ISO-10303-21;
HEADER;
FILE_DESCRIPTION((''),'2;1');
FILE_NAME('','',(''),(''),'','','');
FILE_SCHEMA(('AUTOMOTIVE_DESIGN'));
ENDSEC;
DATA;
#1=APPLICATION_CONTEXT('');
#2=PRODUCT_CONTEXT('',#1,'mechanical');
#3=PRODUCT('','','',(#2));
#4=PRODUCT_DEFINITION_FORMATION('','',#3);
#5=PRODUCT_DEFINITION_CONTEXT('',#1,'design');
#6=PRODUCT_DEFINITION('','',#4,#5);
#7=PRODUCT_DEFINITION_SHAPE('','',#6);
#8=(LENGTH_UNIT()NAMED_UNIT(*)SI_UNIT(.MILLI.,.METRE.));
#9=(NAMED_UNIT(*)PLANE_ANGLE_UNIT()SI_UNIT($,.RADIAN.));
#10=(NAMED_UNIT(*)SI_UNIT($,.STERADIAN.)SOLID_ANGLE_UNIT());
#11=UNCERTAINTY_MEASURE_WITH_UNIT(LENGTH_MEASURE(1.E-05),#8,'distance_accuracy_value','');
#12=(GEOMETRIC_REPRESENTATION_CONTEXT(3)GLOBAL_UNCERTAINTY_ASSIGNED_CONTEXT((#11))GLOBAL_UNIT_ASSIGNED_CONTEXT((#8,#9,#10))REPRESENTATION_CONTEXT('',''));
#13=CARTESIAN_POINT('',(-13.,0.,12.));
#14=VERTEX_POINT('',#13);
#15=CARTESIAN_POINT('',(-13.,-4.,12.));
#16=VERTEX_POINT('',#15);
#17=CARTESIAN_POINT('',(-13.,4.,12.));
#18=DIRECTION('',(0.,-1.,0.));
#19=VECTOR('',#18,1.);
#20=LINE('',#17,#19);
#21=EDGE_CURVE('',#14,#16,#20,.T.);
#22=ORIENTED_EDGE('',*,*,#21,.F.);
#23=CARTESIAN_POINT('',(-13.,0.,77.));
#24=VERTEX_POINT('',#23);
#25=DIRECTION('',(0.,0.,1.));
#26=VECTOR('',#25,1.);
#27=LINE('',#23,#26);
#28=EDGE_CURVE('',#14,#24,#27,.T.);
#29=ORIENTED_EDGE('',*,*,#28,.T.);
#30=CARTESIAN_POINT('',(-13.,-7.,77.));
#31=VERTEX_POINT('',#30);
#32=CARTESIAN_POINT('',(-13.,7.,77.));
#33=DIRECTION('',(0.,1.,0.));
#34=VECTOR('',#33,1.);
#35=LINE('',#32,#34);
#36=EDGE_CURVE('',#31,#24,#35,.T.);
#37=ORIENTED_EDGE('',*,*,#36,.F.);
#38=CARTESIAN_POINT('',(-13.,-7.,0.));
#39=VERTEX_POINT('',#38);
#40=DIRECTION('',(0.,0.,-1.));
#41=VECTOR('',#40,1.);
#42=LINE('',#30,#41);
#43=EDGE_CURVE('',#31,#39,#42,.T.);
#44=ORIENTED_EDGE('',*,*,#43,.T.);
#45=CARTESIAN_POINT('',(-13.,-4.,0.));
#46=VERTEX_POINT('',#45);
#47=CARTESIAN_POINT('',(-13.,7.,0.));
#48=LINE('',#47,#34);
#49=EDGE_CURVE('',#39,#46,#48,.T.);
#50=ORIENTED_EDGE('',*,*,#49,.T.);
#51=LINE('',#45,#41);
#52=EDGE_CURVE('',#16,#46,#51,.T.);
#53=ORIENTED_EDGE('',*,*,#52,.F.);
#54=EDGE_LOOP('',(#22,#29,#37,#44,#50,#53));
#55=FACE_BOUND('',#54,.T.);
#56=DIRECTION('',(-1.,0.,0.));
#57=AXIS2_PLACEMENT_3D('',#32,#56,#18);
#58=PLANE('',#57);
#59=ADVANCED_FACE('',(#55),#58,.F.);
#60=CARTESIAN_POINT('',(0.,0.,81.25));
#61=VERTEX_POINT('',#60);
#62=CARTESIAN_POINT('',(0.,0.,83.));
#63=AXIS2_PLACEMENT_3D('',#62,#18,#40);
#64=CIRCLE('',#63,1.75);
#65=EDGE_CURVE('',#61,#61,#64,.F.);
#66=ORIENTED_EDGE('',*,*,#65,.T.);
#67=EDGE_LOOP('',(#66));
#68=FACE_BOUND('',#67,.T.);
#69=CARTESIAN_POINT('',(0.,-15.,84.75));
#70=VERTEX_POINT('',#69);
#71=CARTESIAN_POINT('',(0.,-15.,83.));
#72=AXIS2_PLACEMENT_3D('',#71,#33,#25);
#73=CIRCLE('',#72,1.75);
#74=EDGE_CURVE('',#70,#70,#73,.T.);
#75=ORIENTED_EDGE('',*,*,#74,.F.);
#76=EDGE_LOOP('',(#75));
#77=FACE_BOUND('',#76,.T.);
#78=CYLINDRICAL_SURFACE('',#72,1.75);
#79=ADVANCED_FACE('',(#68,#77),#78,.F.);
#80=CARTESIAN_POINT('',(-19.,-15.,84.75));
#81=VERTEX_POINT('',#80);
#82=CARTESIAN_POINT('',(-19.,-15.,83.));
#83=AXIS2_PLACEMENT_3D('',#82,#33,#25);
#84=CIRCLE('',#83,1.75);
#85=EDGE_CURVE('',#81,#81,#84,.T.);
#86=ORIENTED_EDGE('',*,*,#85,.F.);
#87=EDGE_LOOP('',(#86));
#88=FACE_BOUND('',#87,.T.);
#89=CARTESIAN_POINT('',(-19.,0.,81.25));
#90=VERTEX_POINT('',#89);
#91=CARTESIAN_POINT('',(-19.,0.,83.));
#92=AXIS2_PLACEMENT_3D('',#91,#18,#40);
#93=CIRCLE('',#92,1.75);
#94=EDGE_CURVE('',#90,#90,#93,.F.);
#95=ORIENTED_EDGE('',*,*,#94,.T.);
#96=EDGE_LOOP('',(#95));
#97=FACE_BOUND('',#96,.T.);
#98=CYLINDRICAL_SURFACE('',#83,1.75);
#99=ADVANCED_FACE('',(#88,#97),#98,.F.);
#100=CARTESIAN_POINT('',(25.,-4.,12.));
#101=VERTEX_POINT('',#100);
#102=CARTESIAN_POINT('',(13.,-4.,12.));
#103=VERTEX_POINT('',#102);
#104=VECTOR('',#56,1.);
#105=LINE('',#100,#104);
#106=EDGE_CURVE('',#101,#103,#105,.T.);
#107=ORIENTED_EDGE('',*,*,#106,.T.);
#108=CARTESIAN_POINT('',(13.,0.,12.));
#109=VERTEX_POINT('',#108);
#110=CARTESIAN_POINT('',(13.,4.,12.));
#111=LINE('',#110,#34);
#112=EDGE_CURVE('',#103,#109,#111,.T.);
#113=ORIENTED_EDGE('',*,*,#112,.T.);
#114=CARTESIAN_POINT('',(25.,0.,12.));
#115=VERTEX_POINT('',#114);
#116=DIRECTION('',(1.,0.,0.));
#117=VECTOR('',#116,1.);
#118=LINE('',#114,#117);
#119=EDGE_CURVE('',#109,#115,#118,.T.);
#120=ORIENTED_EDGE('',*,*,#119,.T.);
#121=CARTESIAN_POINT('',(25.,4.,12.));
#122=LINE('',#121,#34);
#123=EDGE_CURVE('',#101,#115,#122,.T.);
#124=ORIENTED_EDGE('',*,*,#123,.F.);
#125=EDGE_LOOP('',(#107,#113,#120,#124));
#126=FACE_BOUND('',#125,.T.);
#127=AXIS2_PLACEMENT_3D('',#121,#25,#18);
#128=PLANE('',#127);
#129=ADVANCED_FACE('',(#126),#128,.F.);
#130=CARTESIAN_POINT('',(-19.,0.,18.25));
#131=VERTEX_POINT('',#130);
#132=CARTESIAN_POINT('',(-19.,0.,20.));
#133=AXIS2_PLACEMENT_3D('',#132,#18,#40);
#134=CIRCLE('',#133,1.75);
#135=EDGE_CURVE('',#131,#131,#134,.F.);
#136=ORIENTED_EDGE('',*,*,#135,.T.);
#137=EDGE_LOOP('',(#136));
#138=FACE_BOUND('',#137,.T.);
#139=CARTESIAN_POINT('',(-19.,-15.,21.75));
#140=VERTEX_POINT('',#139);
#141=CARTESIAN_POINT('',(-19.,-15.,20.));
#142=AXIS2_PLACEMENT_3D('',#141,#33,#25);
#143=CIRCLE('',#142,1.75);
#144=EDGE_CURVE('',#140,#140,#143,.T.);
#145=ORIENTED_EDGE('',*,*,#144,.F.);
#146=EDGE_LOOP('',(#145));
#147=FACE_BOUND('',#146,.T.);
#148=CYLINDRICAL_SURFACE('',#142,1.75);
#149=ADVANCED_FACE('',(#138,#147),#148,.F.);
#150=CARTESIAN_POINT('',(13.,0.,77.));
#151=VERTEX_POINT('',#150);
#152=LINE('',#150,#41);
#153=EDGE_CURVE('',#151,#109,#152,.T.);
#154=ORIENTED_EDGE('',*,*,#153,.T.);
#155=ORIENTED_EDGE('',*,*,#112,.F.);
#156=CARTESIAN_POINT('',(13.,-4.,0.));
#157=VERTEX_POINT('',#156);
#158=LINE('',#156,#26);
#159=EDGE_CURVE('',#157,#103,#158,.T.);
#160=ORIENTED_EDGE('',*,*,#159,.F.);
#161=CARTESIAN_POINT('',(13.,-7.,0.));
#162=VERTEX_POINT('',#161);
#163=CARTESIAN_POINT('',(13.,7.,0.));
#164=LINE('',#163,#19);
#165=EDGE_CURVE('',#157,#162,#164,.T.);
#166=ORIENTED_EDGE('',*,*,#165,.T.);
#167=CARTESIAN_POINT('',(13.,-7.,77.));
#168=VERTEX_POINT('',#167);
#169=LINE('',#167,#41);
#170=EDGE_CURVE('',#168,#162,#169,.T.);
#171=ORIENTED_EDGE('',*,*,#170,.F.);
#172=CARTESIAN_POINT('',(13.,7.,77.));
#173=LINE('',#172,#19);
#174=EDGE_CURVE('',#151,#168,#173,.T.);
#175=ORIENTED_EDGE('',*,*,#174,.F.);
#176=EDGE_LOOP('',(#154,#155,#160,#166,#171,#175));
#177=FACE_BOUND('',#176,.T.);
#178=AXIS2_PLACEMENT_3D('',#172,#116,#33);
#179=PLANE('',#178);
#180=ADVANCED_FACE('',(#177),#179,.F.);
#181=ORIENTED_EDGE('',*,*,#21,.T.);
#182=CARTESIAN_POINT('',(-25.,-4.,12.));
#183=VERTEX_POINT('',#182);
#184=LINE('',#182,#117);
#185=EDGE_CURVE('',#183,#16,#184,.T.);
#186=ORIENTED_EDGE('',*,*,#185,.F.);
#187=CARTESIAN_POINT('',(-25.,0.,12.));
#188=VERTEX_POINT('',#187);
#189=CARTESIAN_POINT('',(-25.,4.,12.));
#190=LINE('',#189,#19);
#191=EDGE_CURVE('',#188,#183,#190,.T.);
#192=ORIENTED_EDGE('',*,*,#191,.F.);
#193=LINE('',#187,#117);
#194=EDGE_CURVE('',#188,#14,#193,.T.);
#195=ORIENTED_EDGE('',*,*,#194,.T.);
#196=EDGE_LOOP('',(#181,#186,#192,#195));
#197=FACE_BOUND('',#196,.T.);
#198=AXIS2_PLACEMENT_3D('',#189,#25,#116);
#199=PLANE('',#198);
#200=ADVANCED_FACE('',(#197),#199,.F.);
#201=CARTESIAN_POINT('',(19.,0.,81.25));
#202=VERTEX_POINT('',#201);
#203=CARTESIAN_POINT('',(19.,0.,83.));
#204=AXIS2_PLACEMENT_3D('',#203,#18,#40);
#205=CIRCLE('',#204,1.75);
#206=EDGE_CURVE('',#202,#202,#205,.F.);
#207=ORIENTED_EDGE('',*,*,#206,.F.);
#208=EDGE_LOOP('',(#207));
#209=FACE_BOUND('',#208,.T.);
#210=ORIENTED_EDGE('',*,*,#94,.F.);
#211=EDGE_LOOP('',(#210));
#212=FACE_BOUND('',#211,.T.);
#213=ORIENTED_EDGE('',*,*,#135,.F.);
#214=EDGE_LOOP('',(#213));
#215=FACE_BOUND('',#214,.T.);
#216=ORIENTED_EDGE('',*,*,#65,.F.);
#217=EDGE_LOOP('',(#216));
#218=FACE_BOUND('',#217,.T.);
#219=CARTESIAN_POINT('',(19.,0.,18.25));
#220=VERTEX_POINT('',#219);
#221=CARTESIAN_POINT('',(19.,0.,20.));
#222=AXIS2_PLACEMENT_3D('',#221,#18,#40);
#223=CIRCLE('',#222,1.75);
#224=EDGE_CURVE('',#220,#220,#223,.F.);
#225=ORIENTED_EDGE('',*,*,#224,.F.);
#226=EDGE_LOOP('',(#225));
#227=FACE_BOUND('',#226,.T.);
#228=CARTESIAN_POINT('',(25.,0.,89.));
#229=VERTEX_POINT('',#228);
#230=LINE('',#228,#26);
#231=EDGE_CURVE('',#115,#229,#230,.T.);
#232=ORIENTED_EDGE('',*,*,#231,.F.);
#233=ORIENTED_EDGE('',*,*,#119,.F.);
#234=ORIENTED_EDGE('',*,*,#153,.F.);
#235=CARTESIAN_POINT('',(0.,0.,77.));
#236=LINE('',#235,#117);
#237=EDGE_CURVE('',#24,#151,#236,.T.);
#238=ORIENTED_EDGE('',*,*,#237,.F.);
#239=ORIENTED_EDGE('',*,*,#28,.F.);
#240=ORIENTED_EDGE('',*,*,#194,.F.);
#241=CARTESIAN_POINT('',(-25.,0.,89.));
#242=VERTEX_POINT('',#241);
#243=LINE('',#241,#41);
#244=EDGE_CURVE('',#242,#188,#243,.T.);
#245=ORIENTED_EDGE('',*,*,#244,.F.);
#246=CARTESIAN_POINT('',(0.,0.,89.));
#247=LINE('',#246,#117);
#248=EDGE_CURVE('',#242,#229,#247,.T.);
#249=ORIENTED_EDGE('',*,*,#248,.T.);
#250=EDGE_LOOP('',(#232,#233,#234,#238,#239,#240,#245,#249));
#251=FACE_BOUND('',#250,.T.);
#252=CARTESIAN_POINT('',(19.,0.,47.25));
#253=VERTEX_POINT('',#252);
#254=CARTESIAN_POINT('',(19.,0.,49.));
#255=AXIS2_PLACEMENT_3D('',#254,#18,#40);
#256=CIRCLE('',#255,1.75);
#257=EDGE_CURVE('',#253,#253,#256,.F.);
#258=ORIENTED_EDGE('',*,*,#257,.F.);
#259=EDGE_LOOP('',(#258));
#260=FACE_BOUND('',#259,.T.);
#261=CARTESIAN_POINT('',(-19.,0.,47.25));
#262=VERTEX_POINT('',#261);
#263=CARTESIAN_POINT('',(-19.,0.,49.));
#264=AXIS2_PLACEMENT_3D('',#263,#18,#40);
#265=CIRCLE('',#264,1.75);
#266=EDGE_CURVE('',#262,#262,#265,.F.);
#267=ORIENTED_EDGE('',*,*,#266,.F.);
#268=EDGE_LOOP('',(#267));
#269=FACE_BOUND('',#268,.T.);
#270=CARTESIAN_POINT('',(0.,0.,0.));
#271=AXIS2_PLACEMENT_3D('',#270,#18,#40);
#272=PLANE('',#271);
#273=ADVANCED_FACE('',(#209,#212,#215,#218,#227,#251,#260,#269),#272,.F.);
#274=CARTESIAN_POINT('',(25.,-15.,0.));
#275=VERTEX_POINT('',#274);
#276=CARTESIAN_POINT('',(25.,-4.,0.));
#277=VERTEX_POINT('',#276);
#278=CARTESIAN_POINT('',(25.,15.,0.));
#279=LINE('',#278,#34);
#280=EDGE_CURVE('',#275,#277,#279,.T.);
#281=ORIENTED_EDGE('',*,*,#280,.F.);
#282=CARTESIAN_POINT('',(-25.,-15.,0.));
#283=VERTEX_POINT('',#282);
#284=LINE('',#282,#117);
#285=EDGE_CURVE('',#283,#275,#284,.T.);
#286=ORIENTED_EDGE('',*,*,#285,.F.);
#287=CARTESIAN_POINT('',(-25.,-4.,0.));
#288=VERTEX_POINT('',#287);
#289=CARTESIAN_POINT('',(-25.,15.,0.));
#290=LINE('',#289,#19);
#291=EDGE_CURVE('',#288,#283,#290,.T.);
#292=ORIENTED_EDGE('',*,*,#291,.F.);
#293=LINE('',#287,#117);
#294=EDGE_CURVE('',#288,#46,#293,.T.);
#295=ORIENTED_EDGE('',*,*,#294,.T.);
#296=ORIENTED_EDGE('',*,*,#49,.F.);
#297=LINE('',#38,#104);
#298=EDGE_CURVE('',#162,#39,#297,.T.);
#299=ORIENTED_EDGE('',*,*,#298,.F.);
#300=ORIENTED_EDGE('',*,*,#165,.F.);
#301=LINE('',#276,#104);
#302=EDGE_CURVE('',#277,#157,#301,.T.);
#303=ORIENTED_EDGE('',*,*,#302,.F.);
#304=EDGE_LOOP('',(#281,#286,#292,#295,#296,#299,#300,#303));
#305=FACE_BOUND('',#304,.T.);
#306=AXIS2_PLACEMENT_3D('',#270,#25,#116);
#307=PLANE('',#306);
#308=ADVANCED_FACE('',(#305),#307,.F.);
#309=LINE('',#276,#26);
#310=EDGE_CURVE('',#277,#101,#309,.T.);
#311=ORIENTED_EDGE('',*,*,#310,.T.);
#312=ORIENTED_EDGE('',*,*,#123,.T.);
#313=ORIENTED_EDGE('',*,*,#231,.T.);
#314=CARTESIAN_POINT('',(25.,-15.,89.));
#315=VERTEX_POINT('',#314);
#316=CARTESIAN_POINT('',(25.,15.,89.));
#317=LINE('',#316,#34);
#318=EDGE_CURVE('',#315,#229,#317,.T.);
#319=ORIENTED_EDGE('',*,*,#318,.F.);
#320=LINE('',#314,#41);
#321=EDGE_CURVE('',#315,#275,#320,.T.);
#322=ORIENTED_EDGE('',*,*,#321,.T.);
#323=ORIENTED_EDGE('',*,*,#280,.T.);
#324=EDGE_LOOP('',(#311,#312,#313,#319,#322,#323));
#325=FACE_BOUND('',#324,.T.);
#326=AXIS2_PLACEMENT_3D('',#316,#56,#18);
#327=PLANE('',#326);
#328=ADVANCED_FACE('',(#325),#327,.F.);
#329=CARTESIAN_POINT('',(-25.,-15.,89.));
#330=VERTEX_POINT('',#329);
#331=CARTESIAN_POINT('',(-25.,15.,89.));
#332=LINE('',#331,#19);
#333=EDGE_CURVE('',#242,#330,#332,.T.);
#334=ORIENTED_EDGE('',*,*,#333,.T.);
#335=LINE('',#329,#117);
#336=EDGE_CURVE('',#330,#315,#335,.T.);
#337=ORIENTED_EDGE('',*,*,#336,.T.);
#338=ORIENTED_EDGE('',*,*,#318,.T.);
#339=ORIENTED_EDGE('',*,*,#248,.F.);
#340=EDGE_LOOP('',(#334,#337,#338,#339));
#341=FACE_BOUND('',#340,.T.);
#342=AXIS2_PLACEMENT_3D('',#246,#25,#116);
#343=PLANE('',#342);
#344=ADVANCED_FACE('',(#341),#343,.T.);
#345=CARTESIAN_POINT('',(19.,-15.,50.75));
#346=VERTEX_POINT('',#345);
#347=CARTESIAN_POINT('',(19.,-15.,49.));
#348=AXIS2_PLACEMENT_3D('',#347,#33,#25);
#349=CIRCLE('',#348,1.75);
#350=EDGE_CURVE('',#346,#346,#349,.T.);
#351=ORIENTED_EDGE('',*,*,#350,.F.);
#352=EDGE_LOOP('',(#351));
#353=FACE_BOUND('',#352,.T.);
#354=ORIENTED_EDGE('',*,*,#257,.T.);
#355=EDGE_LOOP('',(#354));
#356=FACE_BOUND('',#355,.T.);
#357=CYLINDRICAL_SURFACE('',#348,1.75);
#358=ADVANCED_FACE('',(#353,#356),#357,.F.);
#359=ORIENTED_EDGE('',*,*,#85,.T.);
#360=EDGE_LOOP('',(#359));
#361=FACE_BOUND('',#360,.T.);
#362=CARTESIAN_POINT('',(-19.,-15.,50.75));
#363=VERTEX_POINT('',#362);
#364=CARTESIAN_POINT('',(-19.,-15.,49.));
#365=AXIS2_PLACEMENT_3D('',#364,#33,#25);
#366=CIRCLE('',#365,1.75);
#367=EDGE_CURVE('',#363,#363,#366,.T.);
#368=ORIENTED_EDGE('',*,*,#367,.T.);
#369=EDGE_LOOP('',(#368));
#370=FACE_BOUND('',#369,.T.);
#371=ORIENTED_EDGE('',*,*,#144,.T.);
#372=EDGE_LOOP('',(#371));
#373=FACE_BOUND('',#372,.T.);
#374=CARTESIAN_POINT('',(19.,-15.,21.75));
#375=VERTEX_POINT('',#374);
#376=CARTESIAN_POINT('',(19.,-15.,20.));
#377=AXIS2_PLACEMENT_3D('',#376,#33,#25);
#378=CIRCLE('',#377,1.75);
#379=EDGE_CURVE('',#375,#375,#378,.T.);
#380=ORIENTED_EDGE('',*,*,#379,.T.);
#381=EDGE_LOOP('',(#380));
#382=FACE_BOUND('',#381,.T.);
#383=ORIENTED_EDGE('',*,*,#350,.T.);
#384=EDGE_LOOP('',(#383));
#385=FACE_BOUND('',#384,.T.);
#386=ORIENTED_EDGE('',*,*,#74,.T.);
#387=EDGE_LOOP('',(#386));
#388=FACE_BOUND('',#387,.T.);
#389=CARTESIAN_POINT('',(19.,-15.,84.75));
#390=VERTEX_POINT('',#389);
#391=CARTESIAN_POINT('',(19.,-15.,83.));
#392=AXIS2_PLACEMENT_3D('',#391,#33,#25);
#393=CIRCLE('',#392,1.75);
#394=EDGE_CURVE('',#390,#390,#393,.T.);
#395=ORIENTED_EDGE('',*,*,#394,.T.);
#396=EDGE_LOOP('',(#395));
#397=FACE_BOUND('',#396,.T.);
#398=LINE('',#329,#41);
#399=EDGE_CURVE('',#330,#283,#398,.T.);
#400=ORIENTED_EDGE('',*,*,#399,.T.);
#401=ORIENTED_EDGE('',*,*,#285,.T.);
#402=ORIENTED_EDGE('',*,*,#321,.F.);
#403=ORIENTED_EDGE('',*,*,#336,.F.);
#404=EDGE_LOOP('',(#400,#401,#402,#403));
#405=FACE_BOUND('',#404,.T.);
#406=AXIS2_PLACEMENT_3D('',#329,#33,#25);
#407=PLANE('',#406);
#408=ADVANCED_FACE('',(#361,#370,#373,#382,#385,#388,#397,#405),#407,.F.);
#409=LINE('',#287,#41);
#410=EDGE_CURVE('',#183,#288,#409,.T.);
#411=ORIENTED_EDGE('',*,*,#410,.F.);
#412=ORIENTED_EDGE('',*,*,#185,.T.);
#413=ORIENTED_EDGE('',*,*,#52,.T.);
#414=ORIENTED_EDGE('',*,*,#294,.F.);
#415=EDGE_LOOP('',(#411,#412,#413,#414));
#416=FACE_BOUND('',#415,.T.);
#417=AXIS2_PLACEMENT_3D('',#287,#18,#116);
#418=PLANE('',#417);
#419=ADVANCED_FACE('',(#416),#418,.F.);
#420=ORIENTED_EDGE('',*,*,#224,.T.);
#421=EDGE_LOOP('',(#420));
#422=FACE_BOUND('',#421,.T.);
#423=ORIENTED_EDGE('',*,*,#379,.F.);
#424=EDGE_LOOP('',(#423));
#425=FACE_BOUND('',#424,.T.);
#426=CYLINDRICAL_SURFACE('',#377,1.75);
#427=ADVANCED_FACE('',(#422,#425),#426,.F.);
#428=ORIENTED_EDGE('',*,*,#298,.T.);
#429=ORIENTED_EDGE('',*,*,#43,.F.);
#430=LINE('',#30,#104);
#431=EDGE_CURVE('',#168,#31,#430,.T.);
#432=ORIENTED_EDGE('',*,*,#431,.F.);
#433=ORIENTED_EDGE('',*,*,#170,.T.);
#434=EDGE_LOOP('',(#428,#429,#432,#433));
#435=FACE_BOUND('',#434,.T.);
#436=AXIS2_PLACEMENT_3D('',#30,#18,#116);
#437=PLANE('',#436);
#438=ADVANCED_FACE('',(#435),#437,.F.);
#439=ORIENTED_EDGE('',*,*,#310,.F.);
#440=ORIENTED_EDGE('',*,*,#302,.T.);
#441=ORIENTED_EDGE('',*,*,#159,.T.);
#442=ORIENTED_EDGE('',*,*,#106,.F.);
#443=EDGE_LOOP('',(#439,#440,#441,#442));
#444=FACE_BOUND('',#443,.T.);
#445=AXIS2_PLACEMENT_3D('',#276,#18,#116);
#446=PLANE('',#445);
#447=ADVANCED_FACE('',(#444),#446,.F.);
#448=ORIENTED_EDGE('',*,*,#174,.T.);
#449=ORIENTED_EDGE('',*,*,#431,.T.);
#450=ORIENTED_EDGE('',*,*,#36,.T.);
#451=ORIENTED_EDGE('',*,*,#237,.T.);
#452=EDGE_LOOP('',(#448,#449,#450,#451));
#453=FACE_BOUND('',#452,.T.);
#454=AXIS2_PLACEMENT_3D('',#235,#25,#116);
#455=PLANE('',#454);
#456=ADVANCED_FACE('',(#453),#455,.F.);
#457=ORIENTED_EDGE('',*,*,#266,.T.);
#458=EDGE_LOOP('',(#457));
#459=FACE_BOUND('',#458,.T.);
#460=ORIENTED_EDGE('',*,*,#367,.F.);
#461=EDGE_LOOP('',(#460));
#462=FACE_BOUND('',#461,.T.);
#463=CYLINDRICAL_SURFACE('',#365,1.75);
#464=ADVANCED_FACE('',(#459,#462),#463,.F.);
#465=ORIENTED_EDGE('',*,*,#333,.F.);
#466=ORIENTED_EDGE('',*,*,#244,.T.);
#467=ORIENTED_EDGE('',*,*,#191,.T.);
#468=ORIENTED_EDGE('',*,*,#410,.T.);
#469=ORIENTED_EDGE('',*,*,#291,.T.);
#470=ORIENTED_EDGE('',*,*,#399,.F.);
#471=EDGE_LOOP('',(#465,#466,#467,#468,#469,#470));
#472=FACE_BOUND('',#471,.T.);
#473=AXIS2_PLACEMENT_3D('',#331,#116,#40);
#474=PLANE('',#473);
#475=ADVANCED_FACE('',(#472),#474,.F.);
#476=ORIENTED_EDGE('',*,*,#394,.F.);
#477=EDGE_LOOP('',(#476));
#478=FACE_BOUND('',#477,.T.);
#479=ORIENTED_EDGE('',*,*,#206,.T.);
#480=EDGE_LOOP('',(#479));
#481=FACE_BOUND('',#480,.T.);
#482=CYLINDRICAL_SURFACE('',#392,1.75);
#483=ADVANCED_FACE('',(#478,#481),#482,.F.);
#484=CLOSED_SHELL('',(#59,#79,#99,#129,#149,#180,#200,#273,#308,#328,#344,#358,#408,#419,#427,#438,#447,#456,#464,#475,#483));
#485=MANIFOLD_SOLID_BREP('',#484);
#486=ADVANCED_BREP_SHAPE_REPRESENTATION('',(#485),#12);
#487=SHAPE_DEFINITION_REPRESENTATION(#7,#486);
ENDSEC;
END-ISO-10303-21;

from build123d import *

# Parameters (mm, degrees)
SKETCH_1_W          = 50
SKETCH_1_H          = 30
EXTRUDE_1_DEPTH     = 89
SKETCH_2_W          = 26
SKETCH_2_H          = 14
CUT_EXTRUDE_1_DEPTH = 77
SKETCH_5_W          = 12
SKETCH_5_H          = 8
CUT_EXTRUDE_4_DEPTH = 98.928545379
SKETCH_6_W          = 12
SKETCH_6_H          = 8
CUT_EXTRUDE_5_DEPTH = 98.928545379
SKETCH_7_R          = 1.75
CUT_EXTRUDE_6_DEPTH = 98.190534519


with BuildPart() as part:
    # ｽｹｯﾁ1 → ﾎﾞｽ - 押し出し1 (new body)
    with BuildSketch(Plane.XY):
        Rectangle(SKETCH_1_W, SKETCH_1_H)
    extrude(amount=EXTRUDE_1_DEPTH)

    # ｽｹｯﾁ2 → ｶｯﾄ - 押し出し1 (cut)
    with BuildSketch(Plane(origin=(0, 0, 0), x_dir=(-1, 0, 0), z_dir=(0, 0, -1))):
        Rectangle(SKETCH_2_W, SKETCH_2_H)
    extrude(amount=-CUT_EXTRUDE_1_DEPTH, mode=Mode.SUBTRACT)

    # ｽｹｯﾁ5 → ｶｯﾄ - 押し出し4 (cut, through all)
    with BuildSketch(Plane.ZY.offset(-13)):
        with Locations((6, 0)):
            Rectangle(SKETCH_5_W, SKETCH_5_H)
    extrude(amount=-CUT_EXTRUDE_4_DEPTH, mode=Mode.SUBTRACT)

    # ｽｹｯﾁ6 → ｶｯﾄ - 押し出し5 (cut, through all)
    with BuildSketch(Plane(origin=(-13, 0, 0), x_dir=(0, 0, -1), z_dir=(1, 0, 0))):
        with Locations((-6, 0)):
            Rectangle(SKETCH_6_W, SKETCH_6_H)
    extrude(amount=-CUT_EXTRUDE_5_DEPTH, mode=Mode.SUBTRACT)

    # ｽｹｯﾁ7 → ｶｯﾄ - 押し出し6 (cut, through all)
    with BuildSketch(Plane(origin=(0, 15, 0), x_dir=(1, 0, 0), z_dir=(0, 1, 0))):
        with Locations(Location((19, -20, 0), (0, 0, 270))):
            Circle(SKETCH_7_R)
        with Locations(Location((19, -49, 0), (0, 0, 270))):
            Circle(SKETCH_7_R)
        with Locations(Location((19, -83, 0), (0, 0, 270))):
            Circle(SKETCH_7_R)
        with Locations(Location((0, -83, 0), (0, 0, 270))):
            Circle(SKETCH_7_R)
        with Locations(Location((-19, -83, 0), (0, 0, 270))):
            Circle(SKETCH_7_R)
        with Locations(Location((-19, -49, 0), (0, 0, 270))):
            Circle(SKETCH_7_R)
        with Locations(Location((-19, -20, 0), (0, 0, 270))):
            Circle(SKETCH_7_R)
    extrude(amount=-CUT_EXTRUDE_6_DEPTH, mode=Mode.SUBTRACT)

    # Surface Cut 1
    split(bisect_by=Plane(origin=(0, 0, 0), x_dir=(-1, 0, 0), z_dir=(0, -1, 0)), keep=Keep.TOP)


solid = part.part
